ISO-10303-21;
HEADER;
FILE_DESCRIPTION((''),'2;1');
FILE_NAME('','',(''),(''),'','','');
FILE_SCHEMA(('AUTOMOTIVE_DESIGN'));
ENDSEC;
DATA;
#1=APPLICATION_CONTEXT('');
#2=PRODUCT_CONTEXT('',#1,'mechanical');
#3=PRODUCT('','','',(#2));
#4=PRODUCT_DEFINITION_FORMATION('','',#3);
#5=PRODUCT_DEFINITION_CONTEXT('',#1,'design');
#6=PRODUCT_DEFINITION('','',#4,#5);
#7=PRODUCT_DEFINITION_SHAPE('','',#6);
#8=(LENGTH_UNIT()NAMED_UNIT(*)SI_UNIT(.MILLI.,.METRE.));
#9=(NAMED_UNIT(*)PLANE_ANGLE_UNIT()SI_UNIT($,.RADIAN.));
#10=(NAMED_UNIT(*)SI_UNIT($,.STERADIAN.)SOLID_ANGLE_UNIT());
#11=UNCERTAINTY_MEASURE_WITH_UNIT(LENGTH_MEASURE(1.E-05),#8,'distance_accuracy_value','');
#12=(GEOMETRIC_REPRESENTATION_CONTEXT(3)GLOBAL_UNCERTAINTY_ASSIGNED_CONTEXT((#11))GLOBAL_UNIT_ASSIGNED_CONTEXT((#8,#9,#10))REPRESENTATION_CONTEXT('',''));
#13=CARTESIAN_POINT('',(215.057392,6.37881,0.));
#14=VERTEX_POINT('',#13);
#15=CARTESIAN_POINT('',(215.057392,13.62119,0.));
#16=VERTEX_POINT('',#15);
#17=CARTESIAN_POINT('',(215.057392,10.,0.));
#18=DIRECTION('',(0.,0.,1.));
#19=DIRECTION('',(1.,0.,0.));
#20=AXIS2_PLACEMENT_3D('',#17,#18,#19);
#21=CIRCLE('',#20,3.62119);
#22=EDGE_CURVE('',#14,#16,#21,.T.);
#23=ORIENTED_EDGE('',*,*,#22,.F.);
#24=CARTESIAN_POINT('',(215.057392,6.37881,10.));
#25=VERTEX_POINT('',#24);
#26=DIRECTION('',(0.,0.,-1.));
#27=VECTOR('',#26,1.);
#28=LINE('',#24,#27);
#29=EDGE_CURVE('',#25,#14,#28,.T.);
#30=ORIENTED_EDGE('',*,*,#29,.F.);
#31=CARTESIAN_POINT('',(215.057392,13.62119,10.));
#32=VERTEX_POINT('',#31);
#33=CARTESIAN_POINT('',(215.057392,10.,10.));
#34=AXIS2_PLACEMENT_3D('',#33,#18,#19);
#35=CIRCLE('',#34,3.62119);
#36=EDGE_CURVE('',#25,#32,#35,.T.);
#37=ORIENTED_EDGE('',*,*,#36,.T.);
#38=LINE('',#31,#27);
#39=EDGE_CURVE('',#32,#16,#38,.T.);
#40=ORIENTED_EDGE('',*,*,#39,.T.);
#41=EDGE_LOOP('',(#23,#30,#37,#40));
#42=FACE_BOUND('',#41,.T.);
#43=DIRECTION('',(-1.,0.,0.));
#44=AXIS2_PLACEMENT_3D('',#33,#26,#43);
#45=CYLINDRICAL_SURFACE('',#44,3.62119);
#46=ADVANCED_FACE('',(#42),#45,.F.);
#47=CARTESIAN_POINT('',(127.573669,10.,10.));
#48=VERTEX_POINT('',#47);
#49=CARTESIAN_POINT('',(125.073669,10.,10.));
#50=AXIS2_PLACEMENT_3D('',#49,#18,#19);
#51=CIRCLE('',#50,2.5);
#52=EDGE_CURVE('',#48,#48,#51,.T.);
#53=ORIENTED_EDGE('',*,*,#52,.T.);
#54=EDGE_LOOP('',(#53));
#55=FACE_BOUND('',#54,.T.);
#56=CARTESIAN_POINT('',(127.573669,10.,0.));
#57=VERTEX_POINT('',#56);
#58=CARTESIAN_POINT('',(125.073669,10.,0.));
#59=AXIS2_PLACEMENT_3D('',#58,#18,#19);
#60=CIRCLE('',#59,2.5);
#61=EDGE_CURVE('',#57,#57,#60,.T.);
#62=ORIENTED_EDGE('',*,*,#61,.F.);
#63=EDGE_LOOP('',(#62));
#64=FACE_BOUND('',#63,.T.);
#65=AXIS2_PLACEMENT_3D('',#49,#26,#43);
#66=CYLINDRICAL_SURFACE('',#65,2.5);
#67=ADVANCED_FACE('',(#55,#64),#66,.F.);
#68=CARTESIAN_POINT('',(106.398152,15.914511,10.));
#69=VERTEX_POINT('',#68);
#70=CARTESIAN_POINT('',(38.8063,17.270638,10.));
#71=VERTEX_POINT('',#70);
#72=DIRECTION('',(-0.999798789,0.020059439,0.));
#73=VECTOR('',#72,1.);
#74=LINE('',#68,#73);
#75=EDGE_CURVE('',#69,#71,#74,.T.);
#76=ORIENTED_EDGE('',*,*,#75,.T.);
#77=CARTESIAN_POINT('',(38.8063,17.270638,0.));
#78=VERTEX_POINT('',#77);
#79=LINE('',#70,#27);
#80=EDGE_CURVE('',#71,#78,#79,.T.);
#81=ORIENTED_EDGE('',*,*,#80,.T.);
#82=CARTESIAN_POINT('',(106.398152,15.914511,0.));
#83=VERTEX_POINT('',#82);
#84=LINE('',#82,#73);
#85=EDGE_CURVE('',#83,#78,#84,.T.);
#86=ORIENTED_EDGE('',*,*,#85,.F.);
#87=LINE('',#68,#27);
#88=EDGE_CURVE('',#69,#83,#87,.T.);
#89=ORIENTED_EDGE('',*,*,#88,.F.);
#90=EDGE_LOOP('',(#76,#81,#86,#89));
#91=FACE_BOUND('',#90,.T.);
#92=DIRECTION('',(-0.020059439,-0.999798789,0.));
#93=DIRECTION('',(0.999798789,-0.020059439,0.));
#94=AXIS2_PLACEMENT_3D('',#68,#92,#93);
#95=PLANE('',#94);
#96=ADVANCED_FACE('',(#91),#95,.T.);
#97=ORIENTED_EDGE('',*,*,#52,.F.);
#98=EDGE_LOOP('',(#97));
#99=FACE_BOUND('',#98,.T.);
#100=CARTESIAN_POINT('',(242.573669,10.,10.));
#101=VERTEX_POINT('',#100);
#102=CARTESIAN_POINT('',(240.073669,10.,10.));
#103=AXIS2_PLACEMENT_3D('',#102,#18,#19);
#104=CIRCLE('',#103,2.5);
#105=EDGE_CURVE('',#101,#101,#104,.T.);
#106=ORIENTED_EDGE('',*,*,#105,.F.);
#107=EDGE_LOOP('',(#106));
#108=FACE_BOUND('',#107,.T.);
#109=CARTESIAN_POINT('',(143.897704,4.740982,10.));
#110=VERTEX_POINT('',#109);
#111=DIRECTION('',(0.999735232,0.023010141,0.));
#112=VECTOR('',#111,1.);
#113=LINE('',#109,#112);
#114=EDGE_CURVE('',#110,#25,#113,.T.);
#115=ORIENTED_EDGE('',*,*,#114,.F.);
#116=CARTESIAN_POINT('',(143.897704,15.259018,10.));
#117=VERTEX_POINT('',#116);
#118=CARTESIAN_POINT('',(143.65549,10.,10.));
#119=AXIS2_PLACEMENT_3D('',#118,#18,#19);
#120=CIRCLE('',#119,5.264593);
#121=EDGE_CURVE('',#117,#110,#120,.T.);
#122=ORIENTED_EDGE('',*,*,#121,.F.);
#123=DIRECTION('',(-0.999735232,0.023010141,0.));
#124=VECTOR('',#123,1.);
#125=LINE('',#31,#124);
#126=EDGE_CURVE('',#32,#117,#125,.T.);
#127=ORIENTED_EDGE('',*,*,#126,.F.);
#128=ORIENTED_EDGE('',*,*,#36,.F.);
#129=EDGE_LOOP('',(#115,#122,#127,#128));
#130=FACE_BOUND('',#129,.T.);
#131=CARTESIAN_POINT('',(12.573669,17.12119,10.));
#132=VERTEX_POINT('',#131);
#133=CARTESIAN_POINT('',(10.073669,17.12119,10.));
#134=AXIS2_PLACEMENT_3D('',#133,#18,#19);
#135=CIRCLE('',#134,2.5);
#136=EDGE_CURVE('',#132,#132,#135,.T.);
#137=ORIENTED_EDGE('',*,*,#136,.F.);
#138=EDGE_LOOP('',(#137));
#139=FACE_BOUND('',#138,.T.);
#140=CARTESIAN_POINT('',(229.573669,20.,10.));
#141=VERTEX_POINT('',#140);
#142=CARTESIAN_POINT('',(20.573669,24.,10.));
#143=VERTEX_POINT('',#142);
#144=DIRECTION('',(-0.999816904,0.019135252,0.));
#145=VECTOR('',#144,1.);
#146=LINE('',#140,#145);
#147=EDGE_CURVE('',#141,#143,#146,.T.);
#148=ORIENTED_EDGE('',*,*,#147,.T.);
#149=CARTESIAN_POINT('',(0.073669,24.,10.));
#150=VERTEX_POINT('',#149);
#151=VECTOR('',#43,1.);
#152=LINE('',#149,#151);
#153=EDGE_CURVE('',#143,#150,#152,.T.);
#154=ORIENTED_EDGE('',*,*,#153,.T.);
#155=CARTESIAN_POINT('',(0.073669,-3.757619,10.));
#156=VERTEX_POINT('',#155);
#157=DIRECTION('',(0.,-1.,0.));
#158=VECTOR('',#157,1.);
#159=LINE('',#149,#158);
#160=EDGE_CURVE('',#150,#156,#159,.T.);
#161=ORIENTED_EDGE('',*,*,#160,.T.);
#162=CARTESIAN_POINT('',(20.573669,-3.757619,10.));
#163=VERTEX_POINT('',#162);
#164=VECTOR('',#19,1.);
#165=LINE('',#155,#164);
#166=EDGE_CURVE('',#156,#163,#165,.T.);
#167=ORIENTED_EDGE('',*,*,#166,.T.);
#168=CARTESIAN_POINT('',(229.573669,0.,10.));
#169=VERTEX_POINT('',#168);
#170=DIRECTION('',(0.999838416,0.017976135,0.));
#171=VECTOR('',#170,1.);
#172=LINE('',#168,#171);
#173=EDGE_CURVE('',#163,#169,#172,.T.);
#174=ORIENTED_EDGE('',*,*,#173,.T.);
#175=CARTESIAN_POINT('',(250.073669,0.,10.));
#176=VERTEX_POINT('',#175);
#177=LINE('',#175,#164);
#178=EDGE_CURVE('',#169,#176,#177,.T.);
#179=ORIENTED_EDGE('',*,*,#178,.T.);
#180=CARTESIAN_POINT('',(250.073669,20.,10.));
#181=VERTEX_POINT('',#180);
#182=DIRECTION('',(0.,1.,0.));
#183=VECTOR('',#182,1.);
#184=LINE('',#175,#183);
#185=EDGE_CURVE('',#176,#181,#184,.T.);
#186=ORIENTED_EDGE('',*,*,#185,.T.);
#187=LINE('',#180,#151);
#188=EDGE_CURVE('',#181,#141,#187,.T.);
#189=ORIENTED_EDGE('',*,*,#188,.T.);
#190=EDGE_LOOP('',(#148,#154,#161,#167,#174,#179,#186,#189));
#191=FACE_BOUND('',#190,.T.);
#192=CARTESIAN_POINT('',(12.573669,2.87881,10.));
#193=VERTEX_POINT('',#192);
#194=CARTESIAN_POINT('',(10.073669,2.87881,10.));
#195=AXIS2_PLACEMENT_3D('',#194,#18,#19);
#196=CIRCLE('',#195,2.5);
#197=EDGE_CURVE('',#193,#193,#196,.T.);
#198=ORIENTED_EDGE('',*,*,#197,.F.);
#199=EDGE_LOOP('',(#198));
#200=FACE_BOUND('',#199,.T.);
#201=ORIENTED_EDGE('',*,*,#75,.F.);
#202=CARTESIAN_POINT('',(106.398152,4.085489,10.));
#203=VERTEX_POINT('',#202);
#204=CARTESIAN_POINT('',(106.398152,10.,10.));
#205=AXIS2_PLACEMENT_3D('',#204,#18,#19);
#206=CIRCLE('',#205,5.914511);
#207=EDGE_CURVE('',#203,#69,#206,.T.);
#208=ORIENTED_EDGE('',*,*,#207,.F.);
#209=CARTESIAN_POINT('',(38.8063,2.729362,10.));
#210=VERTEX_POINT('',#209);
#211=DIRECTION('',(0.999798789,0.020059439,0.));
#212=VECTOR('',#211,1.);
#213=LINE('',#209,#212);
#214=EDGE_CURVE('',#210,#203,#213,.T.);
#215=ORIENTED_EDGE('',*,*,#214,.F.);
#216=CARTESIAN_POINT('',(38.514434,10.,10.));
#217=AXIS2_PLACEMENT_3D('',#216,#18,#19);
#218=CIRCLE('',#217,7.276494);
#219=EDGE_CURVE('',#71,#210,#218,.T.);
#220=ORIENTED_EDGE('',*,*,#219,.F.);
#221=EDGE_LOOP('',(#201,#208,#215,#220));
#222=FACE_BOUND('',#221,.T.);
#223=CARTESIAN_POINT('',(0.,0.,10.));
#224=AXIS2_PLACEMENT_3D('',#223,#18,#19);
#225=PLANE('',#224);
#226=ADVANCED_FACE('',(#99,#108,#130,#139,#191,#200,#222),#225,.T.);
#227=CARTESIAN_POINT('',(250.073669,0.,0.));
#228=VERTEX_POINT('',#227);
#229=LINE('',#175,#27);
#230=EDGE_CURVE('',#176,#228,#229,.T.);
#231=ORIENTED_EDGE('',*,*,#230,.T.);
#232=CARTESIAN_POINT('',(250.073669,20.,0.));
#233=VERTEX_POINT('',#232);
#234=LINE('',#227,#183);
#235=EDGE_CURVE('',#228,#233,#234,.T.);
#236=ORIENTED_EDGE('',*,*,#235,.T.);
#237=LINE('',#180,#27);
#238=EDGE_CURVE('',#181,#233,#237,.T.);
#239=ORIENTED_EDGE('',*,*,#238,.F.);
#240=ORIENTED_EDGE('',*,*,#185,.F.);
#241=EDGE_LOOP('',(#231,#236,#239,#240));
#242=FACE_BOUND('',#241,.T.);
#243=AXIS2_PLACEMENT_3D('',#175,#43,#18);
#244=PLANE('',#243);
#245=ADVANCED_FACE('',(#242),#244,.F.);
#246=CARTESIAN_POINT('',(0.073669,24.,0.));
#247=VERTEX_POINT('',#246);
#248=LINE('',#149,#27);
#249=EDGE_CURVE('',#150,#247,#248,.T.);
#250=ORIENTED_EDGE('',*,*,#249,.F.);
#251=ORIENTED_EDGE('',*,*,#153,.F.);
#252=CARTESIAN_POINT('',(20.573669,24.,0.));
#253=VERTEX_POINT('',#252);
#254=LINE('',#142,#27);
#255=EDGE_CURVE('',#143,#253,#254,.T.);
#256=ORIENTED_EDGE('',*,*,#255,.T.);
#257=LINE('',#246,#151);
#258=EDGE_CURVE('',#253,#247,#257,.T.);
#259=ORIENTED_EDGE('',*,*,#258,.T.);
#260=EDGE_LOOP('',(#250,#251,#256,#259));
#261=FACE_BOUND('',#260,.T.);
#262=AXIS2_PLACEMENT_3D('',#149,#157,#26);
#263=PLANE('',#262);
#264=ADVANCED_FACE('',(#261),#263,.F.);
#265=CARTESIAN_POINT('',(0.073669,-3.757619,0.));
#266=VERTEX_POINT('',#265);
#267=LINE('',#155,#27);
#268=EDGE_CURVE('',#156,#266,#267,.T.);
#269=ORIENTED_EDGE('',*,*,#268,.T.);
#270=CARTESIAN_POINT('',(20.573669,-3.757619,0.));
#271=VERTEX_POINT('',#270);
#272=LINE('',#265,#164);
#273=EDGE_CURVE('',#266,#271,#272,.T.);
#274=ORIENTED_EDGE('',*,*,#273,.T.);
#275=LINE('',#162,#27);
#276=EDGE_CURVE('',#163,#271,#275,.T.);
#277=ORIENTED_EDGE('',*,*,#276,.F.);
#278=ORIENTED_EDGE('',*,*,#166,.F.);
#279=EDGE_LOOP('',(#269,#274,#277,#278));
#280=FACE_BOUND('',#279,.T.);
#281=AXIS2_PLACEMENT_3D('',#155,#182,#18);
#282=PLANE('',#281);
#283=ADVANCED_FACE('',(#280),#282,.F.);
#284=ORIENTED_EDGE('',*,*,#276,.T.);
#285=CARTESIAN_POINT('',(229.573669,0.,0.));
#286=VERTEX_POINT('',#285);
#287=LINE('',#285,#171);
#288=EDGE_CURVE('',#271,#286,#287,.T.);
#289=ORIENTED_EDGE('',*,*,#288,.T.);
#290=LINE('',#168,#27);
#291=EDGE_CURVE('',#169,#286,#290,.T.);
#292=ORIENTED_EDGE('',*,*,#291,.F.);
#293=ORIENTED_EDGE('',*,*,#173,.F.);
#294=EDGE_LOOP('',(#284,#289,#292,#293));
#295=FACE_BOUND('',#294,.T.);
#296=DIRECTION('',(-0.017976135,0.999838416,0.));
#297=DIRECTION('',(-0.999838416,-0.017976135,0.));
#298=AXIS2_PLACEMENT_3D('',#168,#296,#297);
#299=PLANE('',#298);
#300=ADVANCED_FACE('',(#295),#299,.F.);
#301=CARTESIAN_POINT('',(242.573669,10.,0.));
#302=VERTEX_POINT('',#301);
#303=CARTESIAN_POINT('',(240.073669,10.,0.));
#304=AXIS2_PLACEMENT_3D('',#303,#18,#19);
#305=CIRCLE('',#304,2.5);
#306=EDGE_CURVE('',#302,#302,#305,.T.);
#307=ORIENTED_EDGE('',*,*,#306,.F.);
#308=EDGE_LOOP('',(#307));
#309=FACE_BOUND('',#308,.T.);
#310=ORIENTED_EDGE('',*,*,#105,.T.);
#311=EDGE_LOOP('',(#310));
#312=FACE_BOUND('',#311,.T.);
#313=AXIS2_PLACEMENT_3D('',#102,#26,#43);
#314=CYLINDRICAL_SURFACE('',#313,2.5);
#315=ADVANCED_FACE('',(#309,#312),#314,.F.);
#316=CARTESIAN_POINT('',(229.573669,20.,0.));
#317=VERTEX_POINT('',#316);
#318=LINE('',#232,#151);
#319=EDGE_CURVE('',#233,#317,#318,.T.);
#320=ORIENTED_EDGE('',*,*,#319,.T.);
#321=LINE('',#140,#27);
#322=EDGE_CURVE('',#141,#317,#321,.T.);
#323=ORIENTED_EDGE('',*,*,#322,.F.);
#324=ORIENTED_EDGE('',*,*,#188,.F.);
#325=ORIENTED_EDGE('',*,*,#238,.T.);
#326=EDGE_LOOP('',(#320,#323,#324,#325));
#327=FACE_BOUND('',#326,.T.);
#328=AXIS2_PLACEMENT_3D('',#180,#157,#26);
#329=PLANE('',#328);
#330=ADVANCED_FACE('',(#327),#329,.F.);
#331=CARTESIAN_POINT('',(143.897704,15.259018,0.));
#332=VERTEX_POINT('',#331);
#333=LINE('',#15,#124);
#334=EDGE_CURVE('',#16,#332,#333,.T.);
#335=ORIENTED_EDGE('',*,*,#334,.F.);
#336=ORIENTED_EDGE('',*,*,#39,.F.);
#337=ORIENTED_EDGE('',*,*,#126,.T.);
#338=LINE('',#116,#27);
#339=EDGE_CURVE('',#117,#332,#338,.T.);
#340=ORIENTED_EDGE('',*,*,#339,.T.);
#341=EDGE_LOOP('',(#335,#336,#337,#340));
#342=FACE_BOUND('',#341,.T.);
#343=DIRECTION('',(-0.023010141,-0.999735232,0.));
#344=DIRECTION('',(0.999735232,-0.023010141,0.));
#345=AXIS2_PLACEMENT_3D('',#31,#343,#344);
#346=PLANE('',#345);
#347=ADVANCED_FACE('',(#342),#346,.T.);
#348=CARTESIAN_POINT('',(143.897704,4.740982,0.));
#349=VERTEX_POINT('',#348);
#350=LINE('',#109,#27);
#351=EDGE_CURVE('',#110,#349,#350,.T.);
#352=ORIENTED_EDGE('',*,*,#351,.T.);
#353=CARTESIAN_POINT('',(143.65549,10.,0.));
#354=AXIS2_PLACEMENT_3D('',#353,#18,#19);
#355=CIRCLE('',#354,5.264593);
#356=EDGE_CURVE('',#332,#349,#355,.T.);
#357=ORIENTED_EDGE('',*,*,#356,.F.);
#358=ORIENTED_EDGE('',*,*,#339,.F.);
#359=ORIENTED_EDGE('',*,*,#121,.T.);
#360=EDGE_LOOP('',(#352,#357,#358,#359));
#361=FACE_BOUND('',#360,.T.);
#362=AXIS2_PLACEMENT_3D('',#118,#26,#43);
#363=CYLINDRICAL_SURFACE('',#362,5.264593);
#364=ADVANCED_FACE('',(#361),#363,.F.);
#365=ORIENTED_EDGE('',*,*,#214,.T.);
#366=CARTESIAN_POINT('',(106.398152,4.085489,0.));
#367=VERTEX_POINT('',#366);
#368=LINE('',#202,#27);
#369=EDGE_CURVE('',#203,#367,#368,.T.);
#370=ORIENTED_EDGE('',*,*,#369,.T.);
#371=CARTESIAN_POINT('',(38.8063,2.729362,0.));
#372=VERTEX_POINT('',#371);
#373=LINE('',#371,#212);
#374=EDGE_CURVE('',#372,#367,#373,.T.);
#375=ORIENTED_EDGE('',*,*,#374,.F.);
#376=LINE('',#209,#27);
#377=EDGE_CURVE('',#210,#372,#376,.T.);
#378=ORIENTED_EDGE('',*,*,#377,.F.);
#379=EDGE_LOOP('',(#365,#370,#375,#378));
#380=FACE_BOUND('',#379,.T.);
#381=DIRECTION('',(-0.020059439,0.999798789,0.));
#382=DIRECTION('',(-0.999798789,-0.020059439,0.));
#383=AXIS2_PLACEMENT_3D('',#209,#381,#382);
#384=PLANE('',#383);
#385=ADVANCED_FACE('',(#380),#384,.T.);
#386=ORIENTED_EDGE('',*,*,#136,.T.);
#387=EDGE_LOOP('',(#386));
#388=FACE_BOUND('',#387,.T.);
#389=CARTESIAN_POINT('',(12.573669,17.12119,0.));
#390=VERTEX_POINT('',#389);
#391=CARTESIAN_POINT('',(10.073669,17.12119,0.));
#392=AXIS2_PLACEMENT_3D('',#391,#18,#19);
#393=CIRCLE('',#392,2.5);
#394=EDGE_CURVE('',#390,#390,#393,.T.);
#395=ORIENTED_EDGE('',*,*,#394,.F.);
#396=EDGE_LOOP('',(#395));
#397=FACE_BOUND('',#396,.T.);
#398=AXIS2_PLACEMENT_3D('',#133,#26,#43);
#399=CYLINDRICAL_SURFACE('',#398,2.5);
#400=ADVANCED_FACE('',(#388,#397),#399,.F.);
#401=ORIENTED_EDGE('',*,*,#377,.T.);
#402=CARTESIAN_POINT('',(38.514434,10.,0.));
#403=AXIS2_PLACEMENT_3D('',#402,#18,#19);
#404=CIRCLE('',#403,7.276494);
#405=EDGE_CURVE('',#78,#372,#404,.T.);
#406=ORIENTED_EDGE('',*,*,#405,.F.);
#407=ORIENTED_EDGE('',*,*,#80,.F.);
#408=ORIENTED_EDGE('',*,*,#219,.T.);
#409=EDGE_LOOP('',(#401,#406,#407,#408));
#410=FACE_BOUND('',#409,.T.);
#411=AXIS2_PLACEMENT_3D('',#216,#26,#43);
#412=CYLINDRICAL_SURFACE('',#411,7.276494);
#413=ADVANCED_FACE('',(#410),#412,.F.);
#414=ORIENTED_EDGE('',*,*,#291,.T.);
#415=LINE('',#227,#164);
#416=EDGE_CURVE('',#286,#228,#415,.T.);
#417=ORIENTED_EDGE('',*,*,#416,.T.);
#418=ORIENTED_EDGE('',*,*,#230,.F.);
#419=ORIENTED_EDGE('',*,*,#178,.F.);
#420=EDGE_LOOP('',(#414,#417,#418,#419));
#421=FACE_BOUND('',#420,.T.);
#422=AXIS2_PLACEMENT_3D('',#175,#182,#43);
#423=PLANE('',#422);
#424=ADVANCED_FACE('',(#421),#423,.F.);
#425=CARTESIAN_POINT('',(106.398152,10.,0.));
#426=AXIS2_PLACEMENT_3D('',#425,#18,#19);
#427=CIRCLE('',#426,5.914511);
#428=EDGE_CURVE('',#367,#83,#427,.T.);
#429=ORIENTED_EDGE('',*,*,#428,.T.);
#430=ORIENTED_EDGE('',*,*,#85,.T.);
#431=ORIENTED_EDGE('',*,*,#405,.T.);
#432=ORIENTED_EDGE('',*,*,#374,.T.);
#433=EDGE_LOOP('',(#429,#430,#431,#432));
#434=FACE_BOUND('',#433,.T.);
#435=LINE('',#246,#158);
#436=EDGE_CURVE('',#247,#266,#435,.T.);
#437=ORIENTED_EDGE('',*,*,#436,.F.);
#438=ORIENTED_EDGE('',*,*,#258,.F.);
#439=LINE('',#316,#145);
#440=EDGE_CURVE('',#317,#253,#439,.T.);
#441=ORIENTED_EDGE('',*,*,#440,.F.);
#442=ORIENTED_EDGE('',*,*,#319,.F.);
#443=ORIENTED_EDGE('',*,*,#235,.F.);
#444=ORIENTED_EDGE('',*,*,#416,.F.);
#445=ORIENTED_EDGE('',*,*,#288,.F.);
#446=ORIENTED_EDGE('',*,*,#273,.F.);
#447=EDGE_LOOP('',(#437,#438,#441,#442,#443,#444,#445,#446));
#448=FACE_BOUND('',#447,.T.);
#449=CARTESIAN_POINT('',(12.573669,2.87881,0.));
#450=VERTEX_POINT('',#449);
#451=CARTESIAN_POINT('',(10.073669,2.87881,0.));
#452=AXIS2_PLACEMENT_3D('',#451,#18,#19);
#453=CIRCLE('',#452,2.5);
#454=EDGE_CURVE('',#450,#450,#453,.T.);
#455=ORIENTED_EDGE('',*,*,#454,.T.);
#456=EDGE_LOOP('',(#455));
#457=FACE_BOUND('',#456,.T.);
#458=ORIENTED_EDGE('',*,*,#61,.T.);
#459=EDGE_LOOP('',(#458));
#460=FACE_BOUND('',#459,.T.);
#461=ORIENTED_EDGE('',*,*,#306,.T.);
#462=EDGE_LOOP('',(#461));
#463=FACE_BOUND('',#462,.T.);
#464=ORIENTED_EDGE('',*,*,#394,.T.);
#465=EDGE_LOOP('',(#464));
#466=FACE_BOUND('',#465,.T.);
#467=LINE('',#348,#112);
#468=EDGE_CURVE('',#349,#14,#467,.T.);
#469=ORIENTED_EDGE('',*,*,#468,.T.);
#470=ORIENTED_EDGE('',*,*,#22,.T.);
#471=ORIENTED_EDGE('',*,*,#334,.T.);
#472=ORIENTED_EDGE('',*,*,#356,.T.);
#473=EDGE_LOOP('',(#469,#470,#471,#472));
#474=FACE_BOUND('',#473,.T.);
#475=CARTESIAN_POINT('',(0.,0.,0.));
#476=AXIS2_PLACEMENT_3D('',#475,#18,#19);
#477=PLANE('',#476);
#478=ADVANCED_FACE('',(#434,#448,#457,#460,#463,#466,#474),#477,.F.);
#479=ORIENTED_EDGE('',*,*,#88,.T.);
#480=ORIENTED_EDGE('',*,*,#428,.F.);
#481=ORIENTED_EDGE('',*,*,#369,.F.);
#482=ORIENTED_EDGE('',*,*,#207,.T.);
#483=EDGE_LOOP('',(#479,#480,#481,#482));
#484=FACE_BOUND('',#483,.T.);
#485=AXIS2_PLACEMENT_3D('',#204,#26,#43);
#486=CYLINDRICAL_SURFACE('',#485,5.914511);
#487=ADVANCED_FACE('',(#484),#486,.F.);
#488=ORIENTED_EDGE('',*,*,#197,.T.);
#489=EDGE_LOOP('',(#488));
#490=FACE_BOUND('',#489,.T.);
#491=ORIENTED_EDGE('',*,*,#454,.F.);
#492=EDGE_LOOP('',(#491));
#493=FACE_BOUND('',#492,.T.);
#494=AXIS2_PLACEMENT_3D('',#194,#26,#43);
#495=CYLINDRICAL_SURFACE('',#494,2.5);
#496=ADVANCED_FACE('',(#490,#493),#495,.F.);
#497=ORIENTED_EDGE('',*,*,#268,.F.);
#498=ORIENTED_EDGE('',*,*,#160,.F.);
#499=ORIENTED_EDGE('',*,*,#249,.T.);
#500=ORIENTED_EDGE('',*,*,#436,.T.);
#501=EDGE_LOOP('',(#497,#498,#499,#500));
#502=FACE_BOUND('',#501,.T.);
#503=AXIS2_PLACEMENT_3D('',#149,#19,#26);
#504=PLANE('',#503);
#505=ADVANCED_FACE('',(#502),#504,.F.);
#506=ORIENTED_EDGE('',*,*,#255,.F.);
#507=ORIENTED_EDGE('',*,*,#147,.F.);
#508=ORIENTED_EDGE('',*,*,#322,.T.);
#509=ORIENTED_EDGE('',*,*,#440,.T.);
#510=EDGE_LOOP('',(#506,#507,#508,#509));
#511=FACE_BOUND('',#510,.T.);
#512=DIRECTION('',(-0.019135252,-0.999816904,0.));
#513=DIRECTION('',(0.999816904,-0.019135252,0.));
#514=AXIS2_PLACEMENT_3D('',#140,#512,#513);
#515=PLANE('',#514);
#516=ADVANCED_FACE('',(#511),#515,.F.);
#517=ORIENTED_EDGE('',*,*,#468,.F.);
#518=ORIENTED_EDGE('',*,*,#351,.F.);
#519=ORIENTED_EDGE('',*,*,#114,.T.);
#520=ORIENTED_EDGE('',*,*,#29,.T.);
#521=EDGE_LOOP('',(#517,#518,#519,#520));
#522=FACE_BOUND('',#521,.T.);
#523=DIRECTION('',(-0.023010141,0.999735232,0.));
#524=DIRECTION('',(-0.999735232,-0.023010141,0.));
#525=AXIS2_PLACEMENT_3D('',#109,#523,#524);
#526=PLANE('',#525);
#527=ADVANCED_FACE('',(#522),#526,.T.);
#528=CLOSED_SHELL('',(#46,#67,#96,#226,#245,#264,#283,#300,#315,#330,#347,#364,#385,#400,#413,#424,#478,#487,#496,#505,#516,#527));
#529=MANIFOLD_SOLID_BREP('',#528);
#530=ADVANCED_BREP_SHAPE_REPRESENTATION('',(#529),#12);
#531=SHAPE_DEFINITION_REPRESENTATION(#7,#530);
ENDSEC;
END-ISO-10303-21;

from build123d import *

# Parameters (mm, degrees)
MODEL_R                     = 2.5
DODANIE_WYCI_GNI_CIE1_DEPTH = 10


with BuildPart() as part:
    # Model → Dodanie-wyciągnięcie1 (new body)
    with BuildSketch(Plane.XY):
        Polygon((229.573669216, 20), (20.573669216, 24), (0.073669216, 24), (0.073669216, -3.757619404), (20.573669216, -3.757619404), (229.573669216, 0), (250.073669216, 0), (250.073669216, 20), align=None)
        with Locations((10.073669216, 17.121190298)):
            Circle(MODEL_R, mode=Mode.SUBTRACT)
        with Locations((240.073669216, 10)):
            Circle(MODEL_R, mode=Mode.SUBTRACT)
        with Locations((10.073669216, 2.878809702)):
            Circle(MODEL_R, mode=Mode.SUBTRACT)
        with Locations((125.073669216, 10)):
            Circle(MODEL_R, mode=Mode.SUBTRACT)
        with BuildLine():
            Line((215.057391591, 13.621190298), (143.897703929, 15.259018411))
            ThreePointArc((143.897703929, 15.259018411), (138.390896743, 10), (143.897703929, 4.740981589))
            Line((143.897703929, 4.740981589), (215.057391591, 6.378809702))
            ThreePointArc((215.057391591, 6.378809702), (218.678581889, 10), (215.057391591, 13.621190298))
        make_face(mode=Mode.SUBTRACT)
        with BuildLine():
            Line((106.398152108, 15.914510504), (38.806300427, 17.270637985))
            ThreePointArc((38.806300427, 17.270637985), (31.237940567, 10), (38.806300427, 2.729362015))
            Line((38.806300427, 2.729362015), (106.398152108, 4.085489496))
            ThreePointArc((106.398152108, 4.085489496), (112.312662612, 10), (106.398152108, 15.914510504))
        make_face(mode=Mode.SUBTRACT)
    extrude(amount=DODANIE_WYCI_GNI_CIE1_DEPTH)


solid = part.part
